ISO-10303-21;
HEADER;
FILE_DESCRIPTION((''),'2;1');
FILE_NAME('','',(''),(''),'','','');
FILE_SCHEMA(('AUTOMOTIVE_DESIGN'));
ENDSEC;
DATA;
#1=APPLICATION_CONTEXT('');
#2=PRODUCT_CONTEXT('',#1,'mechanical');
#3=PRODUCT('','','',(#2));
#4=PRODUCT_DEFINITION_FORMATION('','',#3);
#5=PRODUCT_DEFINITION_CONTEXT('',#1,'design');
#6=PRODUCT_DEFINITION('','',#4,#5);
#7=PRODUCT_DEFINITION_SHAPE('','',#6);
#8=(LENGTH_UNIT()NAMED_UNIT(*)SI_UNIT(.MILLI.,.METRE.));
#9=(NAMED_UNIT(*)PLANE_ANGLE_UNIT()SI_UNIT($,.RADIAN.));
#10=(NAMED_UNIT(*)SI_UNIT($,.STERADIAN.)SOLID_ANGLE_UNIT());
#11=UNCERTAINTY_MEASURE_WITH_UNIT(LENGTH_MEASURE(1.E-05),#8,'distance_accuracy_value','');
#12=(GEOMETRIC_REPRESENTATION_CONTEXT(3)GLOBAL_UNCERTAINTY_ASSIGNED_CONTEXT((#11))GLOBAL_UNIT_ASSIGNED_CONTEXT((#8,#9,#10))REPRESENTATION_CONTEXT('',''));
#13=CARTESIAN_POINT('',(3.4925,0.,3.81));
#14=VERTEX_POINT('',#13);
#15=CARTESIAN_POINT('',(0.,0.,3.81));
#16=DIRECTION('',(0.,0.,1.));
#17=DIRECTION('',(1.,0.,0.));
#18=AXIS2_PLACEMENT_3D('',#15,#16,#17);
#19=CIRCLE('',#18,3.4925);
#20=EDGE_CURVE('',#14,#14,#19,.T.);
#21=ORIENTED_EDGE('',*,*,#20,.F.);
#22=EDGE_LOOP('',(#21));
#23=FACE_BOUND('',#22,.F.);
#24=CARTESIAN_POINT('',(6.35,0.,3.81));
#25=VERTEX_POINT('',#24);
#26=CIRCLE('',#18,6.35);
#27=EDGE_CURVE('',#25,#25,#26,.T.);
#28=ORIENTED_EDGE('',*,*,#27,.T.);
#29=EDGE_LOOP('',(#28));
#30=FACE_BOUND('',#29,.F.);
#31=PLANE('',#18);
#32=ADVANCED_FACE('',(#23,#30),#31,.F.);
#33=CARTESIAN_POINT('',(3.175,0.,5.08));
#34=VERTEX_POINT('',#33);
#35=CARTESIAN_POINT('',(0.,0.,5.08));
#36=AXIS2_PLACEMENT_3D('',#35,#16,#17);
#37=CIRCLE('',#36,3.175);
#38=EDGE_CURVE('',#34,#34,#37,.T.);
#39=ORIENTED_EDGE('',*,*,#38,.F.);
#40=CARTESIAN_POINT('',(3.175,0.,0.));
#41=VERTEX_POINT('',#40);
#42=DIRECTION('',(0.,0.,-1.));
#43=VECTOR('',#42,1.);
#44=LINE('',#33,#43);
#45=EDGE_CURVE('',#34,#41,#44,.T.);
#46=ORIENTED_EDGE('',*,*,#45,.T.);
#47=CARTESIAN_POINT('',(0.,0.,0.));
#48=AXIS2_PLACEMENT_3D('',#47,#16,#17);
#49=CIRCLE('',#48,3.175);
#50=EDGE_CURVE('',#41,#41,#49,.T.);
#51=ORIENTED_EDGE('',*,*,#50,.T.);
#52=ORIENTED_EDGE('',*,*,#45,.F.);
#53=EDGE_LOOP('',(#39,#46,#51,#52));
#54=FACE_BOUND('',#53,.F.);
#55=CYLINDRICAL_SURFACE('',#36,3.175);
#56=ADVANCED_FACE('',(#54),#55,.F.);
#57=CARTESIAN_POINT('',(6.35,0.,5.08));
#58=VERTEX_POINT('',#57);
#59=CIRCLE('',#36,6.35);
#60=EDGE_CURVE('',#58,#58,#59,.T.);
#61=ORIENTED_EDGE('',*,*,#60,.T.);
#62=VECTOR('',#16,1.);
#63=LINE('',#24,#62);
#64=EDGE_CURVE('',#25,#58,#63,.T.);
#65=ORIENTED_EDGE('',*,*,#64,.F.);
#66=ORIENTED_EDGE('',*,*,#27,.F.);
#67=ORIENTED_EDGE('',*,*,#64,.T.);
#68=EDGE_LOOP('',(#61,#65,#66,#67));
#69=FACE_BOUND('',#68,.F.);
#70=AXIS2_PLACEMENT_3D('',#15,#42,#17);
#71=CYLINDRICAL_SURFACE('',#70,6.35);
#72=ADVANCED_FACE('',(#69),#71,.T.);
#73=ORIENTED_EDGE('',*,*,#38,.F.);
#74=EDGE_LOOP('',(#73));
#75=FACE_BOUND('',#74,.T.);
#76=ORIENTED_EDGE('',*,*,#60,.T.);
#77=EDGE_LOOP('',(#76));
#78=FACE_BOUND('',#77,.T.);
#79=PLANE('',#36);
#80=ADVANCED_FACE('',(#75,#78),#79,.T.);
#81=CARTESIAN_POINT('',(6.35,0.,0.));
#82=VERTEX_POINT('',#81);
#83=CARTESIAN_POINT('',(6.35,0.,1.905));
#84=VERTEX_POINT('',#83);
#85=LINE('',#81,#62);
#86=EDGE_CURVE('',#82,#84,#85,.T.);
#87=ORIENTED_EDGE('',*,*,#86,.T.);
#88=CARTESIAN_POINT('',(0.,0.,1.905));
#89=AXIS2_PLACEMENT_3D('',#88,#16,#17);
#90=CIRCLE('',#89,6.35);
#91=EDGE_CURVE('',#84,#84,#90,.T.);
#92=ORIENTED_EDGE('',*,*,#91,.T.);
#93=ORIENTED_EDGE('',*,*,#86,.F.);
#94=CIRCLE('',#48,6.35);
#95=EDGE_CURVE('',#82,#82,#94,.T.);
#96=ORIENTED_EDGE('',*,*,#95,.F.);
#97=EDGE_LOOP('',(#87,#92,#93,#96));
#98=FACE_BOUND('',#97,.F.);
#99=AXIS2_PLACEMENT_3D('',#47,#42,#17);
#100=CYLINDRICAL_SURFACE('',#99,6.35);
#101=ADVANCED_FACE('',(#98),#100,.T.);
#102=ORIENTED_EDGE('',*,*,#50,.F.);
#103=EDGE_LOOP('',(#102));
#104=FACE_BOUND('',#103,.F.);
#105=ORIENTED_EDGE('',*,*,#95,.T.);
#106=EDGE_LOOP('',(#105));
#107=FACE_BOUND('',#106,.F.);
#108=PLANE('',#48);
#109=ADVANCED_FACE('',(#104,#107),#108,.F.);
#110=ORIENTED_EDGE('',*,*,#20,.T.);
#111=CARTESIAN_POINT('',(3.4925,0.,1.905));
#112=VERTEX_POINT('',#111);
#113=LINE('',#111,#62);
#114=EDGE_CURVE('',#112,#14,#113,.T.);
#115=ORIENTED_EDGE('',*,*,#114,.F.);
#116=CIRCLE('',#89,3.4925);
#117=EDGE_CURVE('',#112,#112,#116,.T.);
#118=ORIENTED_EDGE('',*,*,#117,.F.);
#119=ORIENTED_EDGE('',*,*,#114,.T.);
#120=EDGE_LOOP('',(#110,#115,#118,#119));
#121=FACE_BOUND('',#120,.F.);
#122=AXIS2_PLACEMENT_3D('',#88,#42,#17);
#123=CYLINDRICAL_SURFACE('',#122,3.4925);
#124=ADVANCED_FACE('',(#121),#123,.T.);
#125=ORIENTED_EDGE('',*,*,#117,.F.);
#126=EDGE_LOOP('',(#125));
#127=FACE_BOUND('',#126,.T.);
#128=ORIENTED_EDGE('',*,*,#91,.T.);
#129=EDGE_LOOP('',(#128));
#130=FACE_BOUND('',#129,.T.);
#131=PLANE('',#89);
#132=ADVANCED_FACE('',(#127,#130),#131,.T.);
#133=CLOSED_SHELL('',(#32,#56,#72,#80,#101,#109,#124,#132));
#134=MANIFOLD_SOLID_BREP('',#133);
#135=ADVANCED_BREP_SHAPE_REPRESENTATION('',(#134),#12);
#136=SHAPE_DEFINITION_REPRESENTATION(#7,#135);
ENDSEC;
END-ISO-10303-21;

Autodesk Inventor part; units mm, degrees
ref_plane "YZ Plane" through (0, 0, 0) normal (1, 0, 0) x (0, 1, 0)
ref_plane "XZ Plane" through (0, 0, 0) normal (0, 1, 0) x (-1, 0, 0)
ref_plane "XY Plane" through (0, 0, 0) normal (0, 0, 1) x (1, 0, 0)
sketch "Sketch1" plane through (0, 0, 0) normal (0, 0, 1) x (1, 0, 0)
  circle A0 centre (0, 0) radius 6.35
  dimension "d0" = 12.7
extrude "Extrusion1" add sketch "Sketch1" along normal blind 1.905
sketch "Sketch2" plane through (0, 0, 1.905) normal (0, 0, 1) x (1, 0, 0)
  circle A0 centre (0, 0) radius 6.35 projected
  circle A1 centre (0, 0) radius 3.4925
  dimension "d3" = 6.985
extrude "Extrusion2" add sketch "Sketch2" along normal blind 1.905 contours A1
sketch "Sketch3" plane through (0, 0, 3.81) normal (0, 0, 1) x (1, 0, 0)
  circle A0 centre (0, 0) radius 3.4925 projected
  circle A1 centre (0, 0) radius 6.35 projected
  circle A2 centre (0, 0) radius 6.35
extrude "Extrusion3" add sketch "Sketch3" along normal blind 1.27 contours A0 | A1
sketch "Sketch4" plane through (0, 0, 5.08) normal (0, 0, 1) x (1, 0, 0)
  circle A0 centre (0, 0) radius 6.35 projected
  circle A1 centre (0, 0) radius 3.175
  dimension "d8" = 6.35
extrude "Extrusion4" cut sketch "Sketch4" against normal through all contours A1
properties part number "Pnewmatic Screw Part 2 1764"
